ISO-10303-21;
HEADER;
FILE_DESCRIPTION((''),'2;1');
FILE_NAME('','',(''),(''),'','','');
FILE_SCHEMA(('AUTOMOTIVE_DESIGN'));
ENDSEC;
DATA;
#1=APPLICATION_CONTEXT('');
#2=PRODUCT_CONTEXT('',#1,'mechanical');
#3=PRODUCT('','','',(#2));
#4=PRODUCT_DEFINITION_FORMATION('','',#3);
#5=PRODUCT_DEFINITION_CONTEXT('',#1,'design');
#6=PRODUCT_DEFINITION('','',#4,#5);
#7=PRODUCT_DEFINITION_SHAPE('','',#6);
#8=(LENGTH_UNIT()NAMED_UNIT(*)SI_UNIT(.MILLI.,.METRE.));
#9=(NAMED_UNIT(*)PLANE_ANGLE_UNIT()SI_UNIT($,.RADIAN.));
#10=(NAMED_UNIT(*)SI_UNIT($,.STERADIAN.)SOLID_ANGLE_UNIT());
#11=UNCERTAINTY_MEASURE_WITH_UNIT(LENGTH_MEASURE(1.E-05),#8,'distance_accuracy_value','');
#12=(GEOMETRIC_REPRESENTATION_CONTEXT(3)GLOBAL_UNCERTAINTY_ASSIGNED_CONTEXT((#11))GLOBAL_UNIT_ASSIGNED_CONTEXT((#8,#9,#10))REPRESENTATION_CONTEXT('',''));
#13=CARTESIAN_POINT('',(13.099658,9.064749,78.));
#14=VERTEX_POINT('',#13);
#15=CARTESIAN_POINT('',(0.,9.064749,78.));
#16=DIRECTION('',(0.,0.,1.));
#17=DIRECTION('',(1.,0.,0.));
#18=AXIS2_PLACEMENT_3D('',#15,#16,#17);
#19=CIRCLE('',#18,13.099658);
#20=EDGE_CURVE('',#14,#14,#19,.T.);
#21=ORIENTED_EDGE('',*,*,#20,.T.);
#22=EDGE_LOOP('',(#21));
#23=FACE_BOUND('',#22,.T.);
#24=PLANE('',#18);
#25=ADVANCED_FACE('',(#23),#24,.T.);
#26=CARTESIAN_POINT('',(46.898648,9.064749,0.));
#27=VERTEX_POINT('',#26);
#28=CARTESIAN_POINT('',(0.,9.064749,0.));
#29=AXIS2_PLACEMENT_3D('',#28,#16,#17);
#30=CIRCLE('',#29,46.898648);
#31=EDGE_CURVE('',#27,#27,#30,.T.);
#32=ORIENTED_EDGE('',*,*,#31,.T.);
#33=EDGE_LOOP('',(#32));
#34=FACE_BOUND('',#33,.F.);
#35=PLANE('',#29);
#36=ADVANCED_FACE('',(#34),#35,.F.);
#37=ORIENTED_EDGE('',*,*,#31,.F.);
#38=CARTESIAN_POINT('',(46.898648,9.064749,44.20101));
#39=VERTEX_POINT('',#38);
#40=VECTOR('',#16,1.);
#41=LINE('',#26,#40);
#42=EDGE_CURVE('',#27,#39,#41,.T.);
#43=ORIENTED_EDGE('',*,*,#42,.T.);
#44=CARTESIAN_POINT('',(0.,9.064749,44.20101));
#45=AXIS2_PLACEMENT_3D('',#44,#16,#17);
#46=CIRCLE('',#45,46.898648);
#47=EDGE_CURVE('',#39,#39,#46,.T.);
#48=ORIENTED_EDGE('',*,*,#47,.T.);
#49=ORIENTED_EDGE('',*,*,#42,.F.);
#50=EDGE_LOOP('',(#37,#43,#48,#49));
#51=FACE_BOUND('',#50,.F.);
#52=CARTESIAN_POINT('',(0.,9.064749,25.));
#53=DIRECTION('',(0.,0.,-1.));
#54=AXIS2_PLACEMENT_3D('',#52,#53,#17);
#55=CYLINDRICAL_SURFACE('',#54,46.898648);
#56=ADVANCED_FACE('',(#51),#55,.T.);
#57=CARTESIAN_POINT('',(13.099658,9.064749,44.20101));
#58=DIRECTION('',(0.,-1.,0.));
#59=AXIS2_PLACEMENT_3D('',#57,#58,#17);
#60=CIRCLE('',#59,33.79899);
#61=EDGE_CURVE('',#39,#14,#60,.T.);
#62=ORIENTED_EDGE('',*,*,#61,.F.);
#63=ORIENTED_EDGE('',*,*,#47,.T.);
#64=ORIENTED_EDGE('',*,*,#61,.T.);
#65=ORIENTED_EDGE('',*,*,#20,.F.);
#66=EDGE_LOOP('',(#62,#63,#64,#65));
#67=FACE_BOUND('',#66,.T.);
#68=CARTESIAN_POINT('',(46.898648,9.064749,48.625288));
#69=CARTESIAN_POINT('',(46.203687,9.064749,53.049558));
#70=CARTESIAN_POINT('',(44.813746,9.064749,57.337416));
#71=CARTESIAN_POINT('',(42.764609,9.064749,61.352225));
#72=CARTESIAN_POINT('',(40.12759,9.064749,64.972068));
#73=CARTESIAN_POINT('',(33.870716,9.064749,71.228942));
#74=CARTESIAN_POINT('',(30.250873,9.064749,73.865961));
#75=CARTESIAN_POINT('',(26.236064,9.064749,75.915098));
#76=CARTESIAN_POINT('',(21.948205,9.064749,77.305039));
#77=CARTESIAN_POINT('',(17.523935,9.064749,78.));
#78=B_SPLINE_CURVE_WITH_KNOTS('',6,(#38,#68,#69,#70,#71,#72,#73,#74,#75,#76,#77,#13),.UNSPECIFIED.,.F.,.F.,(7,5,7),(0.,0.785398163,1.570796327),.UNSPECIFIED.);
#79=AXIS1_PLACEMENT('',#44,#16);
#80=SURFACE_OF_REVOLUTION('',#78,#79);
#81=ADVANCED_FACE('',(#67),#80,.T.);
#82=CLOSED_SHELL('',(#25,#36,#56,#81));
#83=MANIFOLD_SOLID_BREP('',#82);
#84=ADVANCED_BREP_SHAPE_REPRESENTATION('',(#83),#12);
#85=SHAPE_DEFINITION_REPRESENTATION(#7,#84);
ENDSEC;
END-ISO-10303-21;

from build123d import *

# Parameters (mm, degrees)
F0_R     = 46.8986478897
F1_DEPTH = 25
F2_DEPTH = 53
F3_R     = 33.7989898732


with BuildPart() as f1:
    # F0 (on Top) → F1 (new body)
    with BuildSketch(Plane.XY):
        with Locations((0, 9.0647488832)):
            Circle(F0_R)
    extrude(amount=F1_DEPTH)

    # F2 (add): a face of the model
    f2_faces = [f1.faces().sort_by_distance(p)[0] for p in [
        (0, 9.0647488832, 25),
    ]]
    extrude(f2_faces, amount=F2_DEPTH)

    # F3
    f3_edges = [f1.edges().sort_by_distance(p)[0] for p in [
        (-46.898648, 9.064749, 78),
    ]]
    fillet(f3_edges, radius=F3_R)


solid = f1.part
